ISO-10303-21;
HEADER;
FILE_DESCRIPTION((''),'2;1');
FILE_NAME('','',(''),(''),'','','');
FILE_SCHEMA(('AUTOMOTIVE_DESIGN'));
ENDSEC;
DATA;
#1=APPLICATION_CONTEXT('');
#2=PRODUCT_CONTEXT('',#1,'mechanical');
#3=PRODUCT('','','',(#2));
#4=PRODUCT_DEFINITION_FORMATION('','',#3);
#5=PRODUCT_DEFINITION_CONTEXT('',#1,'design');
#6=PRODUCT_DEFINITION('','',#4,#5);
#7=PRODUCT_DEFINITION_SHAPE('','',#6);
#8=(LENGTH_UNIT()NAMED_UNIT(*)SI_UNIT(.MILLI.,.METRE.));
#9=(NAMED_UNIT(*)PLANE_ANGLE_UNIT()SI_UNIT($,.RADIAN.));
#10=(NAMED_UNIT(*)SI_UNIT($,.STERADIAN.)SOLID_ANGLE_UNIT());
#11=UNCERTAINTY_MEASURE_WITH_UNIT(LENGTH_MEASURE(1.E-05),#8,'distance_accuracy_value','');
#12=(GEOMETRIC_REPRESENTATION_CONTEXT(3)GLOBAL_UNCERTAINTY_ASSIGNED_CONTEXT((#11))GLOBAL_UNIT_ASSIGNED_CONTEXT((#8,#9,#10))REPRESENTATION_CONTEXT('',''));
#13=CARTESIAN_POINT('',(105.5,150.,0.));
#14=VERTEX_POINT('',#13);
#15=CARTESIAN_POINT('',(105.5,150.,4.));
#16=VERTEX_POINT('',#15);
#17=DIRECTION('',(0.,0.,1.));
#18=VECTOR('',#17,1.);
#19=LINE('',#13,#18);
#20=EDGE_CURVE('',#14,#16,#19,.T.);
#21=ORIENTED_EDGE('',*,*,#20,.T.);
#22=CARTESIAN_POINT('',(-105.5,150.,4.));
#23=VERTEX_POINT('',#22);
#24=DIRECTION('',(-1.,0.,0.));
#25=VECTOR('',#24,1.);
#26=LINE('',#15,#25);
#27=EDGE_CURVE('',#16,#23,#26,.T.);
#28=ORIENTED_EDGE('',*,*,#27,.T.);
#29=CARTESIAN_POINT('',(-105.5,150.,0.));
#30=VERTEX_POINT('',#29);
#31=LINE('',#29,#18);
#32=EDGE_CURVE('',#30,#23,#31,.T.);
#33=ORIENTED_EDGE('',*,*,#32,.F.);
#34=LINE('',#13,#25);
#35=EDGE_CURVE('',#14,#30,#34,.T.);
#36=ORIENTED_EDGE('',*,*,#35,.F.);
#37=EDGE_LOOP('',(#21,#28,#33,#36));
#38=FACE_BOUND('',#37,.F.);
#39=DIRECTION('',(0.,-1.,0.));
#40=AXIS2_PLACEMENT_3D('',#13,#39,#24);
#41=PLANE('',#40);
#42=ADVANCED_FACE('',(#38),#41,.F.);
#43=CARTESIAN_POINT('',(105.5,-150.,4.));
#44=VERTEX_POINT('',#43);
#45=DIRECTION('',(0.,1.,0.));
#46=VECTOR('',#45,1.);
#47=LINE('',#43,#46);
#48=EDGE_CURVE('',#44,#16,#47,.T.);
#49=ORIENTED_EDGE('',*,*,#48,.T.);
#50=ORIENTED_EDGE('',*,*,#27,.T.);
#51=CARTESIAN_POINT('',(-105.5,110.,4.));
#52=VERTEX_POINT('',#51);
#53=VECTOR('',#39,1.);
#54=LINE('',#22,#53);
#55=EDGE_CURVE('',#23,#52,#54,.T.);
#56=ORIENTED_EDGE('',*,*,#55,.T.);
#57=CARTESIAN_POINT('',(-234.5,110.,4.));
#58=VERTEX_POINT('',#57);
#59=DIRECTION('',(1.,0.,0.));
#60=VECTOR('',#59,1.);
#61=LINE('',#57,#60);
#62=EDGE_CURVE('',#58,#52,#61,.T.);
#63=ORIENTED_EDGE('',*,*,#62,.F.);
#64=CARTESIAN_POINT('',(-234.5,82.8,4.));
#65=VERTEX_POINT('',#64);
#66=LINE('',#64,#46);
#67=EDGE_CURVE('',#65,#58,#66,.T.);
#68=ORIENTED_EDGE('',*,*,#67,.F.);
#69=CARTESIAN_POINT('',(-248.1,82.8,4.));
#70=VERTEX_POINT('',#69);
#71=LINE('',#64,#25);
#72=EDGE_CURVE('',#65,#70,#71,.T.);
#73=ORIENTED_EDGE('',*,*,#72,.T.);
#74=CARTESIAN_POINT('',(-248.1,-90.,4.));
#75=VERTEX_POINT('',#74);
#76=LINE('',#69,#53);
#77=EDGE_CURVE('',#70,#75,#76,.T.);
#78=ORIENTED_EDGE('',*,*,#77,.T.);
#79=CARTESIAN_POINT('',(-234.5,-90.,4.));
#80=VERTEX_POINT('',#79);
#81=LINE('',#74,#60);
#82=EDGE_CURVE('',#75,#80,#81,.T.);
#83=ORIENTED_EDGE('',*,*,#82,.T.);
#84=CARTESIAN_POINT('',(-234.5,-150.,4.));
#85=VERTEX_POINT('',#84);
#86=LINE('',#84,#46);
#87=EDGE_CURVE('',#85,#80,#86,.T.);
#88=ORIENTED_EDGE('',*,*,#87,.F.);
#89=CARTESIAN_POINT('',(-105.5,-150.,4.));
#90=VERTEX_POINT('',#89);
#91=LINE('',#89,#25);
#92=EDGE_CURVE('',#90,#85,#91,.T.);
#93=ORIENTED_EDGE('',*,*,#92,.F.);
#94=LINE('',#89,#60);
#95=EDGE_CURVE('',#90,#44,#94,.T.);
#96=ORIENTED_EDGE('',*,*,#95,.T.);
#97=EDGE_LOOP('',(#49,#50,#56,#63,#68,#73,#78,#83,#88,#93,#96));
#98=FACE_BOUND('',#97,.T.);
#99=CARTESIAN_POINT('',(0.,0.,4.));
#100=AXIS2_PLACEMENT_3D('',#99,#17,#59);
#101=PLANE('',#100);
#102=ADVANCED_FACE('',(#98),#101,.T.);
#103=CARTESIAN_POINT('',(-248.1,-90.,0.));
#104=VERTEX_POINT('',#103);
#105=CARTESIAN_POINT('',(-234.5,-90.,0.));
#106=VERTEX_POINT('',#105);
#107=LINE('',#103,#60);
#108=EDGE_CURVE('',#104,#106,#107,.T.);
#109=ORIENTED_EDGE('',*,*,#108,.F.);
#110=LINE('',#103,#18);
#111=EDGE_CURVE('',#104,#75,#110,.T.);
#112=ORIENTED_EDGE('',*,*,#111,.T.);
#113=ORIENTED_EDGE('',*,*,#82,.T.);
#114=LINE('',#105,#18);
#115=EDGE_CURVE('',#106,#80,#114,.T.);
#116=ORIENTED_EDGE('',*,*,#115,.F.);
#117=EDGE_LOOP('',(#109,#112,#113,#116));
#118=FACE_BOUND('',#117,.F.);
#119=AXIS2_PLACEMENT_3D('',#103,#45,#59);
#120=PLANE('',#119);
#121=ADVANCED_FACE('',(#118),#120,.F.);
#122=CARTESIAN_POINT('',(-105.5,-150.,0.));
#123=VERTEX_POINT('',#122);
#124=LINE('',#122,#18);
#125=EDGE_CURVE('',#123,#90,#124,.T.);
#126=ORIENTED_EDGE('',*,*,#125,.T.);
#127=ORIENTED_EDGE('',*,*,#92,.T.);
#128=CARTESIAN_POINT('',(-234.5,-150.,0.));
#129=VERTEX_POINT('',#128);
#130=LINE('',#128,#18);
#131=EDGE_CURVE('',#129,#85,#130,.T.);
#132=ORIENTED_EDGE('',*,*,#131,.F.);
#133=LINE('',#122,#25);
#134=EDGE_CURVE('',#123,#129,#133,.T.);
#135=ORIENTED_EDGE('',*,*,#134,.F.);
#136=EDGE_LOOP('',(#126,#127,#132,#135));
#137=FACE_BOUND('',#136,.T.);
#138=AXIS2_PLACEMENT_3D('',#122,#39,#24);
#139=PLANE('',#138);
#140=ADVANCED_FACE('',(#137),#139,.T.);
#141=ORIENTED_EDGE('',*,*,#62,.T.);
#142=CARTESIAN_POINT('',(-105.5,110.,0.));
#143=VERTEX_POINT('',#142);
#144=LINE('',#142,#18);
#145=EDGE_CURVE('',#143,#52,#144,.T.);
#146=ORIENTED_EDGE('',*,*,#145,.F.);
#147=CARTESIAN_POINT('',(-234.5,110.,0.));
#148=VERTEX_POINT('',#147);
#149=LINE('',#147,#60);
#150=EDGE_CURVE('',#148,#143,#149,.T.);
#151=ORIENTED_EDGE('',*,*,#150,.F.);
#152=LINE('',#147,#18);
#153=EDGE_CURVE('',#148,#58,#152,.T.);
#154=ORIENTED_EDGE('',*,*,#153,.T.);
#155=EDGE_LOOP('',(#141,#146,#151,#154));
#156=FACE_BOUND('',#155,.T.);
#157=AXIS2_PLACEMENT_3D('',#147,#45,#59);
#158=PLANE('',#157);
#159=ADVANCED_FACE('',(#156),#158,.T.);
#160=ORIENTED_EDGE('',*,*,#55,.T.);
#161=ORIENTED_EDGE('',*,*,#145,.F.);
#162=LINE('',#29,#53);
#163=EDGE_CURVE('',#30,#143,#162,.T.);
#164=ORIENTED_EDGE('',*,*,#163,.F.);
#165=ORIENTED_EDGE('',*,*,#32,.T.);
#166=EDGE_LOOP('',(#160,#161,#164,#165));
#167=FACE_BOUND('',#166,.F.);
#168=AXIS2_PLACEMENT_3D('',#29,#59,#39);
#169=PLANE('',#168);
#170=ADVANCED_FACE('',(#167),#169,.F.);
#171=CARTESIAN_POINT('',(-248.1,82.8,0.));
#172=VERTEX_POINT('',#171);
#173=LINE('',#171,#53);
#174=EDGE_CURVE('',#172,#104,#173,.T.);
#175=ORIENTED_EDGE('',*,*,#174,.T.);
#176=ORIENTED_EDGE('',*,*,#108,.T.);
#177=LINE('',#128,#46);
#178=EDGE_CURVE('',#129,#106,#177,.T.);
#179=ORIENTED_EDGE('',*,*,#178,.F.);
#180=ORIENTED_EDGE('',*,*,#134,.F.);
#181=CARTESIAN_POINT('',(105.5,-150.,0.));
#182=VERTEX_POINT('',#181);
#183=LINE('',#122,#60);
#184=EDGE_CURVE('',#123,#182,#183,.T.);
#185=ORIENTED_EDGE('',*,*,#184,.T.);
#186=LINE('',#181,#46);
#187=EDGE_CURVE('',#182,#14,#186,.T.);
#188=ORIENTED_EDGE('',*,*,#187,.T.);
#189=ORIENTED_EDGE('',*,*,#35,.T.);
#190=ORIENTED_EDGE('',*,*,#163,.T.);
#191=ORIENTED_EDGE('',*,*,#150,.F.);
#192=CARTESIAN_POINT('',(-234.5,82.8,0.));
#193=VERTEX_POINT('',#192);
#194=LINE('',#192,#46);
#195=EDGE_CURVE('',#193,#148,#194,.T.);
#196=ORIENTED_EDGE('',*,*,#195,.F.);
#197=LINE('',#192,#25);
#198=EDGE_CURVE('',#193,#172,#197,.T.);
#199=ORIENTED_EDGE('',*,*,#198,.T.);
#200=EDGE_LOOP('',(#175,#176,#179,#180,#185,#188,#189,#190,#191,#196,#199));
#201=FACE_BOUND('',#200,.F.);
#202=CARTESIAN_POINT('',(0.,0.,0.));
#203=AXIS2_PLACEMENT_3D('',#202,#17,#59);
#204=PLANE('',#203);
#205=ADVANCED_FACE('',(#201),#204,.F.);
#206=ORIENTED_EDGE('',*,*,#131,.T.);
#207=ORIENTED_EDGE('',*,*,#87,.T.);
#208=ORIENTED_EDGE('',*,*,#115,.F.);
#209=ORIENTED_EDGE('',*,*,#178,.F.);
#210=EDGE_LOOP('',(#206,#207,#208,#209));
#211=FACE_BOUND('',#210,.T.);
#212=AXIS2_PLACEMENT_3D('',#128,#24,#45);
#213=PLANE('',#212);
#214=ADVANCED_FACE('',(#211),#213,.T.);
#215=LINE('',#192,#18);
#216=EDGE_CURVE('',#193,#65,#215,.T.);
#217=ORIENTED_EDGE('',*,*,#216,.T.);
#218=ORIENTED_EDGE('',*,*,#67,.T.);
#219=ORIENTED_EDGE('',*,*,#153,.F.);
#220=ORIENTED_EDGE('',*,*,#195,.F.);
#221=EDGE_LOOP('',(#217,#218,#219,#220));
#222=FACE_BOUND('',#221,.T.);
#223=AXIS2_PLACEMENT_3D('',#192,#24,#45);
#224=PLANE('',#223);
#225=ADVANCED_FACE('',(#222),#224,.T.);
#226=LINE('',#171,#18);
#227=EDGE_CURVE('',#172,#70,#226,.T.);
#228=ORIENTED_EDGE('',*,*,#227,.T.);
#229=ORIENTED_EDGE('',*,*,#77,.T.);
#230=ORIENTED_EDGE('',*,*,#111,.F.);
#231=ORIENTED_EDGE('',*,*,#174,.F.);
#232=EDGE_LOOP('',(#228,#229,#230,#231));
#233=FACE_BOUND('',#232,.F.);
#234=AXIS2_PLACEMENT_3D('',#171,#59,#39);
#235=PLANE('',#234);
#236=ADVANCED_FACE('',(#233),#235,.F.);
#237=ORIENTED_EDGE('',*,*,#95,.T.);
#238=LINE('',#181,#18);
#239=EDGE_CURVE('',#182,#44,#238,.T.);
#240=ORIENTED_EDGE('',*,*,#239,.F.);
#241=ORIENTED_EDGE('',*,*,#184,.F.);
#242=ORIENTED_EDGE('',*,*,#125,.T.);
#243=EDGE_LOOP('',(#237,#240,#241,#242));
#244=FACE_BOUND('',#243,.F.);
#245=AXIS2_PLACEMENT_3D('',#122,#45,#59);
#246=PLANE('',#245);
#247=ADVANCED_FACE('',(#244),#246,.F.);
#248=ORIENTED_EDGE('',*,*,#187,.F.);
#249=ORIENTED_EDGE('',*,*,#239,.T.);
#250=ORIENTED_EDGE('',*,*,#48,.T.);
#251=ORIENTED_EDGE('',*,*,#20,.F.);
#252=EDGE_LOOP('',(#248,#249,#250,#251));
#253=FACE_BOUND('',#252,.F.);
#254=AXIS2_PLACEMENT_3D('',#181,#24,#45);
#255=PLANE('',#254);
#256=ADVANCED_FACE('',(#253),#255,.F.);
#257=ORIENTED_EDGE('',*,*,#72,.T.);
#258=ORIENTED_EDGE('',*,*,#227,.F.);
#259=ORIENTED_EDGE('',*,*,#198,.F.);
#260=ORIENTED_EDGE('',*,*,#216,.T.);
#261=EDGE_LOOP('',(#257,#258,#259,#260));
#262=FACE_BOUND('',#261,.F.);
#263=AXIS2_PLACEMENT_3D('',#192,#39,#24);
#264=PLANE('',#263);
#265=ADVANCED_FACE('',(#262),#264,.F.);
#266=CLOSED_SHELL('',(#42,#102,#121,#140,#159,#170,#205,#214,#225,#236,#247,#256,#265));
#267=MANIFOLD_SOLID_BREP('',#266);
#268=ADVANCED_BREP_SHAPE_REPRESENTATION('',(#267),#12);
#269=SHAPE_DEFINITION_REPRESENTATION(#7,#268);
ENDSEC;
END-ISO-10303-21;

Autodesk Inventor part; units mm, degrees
ref_plane "YZ Plane" through (0, 0, 0) normal (1, 0, 0) x (0, 1, 0)
ref_plane "XZ Plane" through (0, 0, 0) normal (0, 1, 0) x (-1, 0, 0)
ref_plane "XY Plane" through (0, 0, 0) normal (0, 0, 1) x (1, 0, 0)
sketch "スケッチ1" plane through (0, 0, 0) normal (0, 0, 1) x (1, 0, 0)
  line L0 (-105.5, -150) -> (105.5, -150)
  line L1 (105.5, -150) -> (105.5, 150)
  line L2 (105.5, 150) -> (-105.5, 150)
  line L3 (-105.5, 150) -> (-105.5, 110)
  line L4 (-105.5, -150) -> (105.5, 150) construction
  line L5 (105.5, -150) -> (-105.5, 150) construction
  line L6 (-105.5, -150) -> (-234.5, -150)
  line L7 (-234.5, 110) -> (-105.5, 110)
  line L8 (-234.5, 82.8) -> (-248.1, 82.8)
  line L9 (-248.1, 82.8) -> (-248.1, -90)
  line L10 (-248.1, -90) -> (-234.5, -90)
  line L11 (-234.5, -150) -> (-234.5, -90)
  line L12 (-234.5, 82.8) -> (-234.5, 110)
  point P0 (0, 0)
  dimension "d0" = 211
  dimension "d1" = 300
  dimension "d5" = 40
  dimension "d6" = 27.2
  dimension "d8" = 13.6
  dimension "d9" = 200
  dimension "d10" = 340
extrude "押し出し1" add sketch "スケッチ1" along normal blind 4
properties part number "泥除け1"
